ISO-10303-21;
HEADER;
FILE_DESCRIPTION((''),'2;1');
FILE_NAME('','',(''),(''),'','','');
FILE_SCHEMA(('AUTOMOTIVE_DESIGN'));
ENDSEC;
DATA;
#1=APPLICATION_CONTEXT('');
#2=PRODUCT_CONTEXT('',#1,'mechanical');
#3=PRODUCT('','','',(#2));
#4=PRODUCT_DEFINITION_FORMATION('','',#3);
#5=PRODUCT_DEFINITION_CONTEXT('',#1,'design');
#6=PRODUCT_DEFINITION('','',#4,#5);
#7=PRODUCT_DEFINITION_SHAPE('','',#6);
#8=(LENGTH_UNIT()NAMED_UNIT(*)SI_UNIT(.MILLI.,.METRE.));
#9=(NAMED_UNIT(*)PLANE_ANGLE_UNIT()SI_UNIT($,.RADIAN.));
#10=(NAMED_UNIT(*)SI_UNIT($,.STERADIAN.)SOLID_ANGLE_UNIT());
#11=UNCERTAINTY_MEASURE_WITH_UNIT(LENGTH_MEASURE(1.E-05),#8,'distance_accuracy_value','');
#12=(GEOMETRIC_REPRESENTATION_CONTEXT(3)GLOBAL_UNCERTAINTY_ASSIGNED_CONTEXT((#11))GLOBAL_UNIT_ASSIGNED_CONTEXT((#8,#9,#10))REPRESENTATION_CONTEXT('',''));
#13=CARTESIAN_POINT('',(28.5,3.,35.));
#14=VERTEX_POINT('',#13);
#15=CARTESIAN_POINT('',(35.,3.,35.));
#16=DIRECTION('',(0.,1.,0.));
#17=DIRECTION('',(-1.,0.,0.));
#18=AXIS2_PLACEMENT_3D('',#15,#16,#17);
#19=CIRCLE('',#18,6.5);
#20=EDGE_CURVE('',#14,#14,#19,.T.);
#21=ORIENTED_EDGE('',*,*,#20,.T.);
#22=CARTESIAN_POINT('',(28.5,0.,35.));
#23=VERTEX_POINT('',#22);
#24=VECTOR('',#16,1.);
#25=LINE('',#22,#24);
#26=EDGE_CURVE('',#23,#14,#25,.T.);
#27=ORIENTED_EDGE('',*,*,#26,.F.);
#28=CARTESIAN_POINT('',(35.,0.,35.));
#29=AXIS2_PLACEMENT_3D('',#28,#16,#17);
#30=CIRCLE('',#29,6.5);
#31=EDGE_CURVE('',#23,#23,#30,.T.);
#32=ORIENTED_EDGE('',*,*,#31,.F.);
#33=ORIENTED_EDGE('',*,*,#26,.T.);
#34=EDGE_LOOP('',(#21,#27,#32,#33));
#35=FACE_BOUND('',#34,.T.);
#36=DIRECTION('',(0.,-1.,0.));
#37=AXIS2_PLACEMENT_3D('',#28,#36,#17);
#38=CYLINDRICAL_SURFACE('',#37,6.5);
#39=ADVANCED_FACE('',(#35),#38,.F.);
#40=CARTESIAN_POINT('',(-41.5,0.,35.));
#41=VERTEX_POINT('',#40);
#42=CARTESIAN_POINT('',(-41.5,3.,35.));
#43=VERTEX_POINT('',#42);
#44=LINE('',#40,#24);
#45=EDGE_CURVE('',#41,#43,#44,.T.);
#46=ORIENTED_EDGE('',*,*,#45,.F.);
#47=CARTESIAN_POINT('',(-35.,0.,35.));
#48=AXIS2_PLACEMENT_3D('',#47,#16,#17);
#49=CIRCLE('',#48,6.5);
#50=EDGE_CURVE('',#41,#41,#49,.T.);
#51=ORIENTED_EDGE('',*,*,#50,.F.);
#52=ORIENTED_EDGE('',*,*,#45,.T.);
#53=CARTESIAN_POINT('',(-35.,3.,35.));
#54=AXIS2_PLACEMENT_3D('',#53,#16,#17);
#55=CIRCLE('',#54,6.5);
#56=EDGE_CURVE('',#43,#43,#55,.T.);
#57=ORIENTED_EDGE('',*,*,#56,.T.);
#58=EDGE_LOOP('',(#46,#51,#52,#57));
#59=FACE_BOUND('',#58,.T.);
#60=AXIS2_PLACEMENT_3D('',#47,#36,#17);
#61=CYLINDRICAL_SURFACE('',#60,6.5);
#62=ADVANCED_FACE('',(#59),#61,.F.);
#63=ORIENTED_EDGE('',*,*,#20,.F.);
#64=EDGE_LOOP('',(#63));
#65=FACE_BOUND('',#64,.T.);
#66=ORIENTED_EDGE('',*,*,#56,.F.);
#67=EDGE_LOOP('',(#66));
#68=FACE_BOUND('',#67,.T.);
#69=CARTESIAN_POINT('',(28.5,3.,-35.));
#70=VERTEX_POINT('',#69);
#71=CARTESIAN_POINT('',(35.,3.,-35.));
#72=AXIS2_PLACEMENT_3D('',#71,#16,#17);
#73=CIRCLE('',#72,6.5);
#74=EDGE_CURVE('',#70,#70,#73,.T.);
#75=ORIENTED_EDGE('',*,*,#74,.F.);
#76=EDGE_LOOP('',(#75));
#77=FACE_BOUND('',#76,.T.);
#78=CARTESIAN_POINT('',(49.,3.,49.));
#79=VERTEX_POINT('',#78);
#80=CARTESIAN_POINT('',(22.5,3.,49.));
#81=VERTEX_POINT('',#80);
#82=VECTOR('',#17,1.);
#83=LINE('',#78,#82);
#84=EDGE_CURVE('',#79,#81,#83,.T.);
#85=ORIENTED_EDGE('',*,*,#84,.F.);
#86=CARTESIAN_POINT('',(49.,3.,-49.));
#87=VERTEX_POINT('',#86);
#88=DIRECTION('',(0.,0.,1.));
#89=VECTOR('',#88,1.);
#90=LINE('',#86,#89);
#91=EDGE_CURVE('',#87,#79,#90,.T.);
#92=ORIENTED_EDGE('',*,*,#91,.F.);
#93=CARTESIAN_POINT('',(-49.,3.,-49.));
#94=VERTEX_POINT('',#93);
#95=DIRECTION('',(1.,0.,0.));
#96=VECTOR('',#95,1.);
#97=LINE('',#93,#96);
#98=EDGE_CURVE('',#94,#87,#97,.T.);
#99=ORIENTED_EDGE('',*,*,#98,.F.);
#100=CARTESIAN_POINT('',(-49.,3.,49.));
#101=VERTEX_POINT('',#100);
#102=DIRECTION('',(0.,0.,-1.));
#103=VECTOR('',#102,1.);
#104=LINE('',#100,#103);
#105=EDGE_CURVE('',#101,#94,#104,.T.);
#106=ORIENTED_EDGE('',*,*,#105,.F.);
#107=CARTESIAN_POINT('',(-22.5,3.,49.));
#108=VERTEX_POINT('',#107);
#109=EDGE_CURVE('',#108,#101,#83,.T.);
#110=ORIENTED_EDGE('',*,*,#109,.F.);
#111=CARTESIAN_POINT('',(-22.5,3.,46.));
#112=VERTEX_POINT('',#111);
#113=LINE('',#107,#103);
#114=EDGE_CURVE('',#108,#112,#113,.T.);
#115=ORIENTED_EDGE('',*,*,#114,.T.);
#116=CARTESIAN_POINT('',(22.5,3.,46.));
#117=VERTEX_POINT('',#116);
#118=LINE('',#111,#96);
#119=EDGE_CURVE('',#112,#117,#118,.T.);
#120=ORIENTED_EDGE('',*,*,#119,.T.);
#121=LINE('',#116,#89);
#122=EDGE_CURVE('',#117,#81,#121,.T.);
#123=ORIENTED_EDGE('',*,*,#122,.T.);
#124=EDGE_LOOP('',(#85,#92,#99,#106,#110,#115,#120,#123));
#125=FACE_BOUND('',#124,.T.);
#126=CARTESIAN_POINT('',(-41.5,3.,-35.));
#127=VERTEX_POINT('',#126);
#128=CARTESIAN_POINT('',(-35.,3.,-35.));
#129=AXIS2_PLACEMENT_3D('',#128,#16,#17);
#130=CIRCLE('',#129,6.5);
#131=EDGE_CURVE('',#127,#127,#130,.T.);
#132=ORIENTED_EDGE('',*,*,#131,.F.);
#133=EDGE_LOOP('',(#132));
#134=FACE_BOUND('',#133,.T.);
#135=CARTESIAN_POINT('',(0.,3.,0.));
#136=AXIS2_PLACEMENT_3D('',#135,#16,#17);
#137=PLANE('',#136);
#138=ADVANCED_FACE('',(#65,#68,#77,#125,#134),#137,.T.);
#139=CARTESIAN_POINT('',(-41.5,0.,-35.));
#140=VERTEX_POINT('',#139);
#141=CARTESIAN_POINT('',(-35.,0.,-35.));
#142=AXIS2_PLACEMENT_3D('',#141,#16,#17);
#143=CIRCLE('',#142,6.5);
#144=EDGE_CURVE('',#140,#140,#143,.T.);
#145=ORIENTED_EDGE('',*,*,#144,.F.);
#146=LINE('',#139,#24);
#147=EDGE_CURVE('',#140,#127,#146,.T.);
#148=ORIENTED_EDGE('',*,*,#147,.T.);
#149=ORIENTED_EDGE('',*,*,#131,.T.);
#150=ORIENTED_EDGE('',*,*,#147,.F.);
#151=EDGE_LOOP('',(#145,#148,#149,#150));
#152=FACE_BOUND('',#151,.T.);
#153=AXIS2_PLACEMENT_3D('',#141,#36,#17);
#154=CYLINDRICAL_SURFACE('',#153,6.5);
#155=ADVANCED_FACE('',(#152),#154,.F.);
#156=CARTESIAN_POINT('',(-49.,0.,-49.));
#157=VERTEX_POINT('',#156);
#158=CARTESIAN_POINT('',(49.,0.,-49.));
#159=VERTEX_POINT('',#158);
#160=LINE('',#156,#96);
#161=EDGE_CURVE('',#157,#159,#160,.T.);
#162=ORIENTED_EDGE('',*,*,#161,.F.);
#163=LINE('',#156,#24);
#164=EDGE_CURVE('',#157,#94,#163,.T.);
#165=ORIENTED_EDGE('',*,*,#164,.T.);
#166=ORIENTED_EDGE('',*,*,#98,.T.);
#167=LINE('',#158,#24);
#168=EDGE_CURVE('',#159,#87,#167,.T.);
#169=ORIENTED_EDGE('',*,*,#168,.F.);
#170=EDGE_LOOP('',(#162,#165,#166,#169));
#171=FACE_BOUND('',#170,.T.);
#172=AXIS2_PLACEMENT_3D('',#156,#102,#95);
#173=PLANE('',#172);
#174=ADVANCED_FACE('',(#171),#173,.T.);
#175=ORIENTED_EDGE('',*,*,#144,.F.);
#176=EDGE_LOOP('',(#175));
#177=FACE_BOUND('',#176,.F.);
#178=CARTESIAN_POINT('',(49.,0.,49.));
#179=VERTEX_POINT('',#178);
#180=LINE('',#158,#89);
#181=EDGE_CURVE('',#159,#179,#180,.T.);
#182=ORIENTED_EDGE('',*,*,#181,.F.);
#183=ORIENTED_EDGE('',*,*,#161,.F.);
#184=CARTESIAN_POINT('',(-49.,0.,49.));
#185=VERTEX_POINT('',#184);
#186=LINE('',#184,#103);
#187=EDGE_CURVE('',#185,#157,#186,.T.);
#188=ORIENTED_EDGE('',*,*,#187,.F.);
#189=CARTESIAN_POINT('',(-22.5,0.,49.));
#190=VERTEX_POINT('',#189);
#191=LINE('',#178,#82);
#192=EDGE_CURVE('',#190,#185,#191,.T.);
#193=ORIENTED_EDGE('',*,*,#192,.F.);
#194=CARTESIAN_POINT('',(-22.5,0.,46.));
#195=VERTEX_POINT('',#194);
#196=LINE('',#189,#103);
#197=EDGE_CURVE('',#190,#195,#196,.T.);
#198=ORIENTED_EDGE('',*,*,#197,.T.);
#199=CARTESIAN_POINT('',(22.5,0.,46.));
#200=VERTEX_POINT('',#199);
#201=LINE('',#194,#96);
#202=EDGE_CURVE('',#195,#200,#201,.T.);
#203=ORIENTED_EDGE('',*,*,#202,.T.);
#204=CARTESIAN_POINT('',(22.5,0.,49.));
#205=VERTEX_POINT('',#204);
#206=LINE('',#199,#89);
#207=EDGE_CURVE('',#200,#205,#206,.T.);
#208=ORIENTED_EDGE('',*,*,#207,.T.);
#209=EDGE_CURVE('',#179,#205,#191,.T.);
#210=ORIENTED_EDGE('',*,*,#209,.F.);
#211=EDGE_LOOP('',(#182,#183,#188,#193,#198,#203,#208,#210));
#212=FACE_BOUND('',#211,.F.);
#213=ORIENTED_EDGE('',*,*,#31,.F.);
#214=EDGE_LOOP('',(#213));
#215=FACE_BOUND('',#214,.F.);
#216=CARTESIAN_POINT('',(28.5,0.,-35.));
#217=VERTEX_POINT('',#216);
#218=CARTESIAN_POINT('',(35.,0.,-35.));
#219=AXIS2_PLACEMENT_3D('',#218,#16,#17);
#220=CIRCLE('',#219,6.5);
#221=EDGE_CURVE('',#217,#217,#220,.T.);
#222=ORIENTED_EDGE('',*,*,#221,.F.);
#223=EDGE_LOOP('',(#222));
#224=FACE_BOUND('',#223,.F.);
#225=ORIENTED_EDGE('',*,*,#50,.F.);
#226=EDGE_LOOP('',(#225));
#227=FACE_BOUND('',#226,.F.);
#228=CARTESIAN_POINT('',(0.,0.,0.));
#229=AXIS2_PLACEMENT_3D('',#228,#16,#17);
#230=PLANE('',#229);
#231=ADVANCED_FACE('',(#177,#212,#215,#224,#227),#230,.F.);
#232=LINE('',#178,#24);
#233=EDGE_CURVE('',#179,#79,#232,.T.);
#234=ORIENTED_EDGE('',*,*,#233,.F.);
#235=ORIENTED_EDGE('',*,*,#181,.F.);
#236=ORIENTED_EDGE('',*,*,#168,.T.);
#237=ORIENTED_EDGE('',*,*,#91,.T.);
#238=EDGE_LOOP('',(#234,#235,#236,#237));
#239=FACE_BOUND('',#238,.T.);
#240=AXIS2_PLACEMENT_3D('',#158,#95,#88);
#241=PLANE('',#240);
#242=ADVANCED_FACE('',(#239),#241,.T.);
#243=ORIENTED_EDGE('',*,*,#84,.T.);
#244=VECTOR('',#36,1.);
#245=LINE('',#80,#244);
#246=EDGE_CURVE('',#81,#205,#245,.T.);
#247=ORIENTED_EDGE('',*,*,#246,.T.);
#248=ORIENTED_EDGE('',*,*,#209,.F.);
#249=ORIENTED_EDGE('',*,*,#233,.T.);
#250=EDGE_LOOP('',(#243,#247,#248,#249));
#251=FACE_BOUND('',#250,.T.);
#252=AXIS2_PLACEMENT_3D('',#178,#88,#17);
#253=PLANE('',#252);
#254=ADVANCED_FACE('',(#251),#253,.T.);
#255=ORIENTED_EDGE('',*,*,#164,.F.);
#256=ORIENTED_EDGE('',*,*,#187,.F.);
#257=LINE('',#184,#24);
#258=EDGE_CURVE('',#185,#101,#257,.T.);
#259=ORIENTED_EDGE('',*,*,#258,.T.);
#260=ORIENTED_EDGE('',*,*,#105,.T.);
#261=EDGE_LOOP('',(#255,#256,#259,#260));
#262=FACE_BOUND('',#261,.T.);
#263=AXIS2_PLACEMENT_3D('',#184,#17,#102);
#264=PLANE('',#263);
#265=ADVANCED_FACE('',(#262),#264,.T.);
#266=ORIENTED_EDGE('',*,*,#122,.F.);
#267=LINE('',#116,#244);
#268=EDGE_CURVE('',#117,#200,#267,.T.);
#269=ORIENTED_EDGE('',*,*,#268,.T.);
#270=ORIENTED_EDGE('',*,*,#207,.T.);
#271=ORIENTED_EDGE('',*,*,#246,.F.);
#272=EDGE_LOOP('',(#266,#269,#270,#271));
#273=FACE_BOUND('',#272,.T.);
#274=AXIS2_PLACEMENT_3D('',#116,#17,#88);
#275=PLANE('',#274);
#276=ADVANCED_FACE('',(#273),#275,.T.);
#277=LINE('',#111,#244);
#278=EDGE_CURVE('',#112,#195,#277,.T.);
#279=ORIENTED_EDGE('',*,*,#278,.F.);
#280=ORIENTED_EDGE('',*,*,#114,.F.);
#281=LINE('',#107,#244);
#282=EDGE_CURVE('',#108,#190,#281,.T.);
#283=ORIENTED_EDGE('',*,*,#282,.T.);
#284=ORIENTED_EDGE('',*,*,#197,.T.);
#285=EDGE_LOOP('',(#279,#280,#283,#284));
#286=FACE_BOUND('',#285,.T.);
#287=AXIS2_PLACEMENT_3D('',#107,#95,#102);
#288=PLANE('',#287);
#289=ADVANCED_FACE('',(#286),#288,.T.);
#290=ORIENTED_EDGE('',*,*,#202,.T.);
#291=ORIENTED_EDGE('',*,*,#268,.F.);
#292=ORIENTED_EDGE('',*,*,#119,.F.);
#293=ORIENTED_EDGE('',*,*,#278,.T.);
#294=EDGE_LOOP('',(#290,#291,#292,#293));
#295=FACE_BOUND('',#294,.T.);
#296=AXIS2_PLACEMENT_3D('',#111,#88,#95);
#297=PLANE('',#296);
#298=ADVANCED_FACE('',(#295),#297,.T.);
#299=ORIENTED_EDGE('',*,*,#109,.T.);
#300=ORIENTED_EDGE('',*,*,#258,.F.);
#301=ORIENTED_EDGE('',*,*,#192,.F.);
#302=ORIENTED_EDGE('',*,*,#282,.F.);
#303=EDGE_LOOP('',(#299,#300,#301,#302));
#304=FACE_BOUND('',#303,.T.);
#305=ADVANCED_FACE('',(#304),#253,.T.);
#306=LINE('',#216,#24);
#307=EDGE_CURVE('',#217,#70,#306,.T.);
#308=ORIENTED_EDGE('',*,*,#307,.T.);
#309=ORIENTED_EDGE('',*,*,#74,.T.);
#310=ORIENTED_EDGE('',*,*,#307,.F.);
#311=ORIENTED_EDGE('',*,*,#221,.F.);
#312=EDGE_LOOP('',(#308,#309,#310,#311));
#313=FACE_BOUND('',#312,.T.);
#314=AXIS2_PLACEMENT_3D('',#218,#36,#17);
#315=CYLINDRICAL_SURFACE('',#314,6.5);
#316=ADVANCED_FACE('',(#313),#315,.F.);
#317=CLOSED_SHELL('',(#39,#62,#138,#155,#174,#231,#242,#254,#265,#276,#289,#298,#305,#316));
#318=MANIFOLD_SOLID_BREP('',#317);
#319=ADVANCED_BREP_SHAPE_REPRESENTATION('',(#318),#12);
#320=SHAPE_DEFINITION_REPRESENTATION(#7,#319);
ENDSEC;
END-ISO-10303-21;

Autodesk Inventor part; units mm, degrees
ref_plane "YZ Plane" through (0, 0, 0) normal (1, 0, 0) x (0, 1, 0)
ref_plane "XZ Plane" through (0, 0, 0) normal (0, 1, 0) x (-1, 0, 0)
ref_plane "XY Plane" through (0, 0, 0) normal (0, 0, 1) x (1, 0, 0)
sketch "Sketch1" plane through (0, 0, 0) normal (0, 1, 0) x (-1, 0, 0)
  line L0 (49, -49) -> (-49, -49)
  line L1 (-49, -49) -> (-49, 49)
  line L2 (-49, 49) -> (49, 49)
  line L3 (49, 49) -> (49, -49)
  circle A0 centre (35, -35) radius 6.5
  circle A1 centre (-35, -35) radius 6.5
  circle A2 centre (-35, 35) radius 6.5
  circle A3 centre (35, 35) radius 6.5
  point P0 (0, 0)
  point P1 (0, -49)
  point P2 (49, 0)
  dimension "d0" = 98
  dimension "d1" = 98
  dimension "d2" = 13
  dimension "d3" = 13
  dimension "d4" = 13
  dimension "d5" = 13
  dimension "d6" = 14
  dimension "d7" = 14
  dimension "d8" = 14
  dimension "d9" = 14
extrude "Extrusion1" add sketch "Sketch1" along normal blind 3
sketch "Sketch2" plane through (0, 3, 0) normal (0, 1, 0) x (1, 0, 0)
  line L0 (-49, -49) -> (49, -49) projected
  line L1 (-22.5, -49) -> (-22.5, -46)
  line L2 (-22.5, -46) -> (22.5, -46)
  line L3 (22.5, -46) -> (22.5, -49)
  point P0 (0, 0)
  point P1 (0, -46)
  dimension "d12" = 3
  dimension "d13" = 45
extrude "Extrusion2" cut sketch "Sketch2" against normal blind 3
equation "\"d3\" = d2"
equation "\"d4\" = d2"
equation "\"d5\" = d2"
equation "\"d8\" = d6"
equation "\"d9\" = d7"
properties part number "Plate1"
